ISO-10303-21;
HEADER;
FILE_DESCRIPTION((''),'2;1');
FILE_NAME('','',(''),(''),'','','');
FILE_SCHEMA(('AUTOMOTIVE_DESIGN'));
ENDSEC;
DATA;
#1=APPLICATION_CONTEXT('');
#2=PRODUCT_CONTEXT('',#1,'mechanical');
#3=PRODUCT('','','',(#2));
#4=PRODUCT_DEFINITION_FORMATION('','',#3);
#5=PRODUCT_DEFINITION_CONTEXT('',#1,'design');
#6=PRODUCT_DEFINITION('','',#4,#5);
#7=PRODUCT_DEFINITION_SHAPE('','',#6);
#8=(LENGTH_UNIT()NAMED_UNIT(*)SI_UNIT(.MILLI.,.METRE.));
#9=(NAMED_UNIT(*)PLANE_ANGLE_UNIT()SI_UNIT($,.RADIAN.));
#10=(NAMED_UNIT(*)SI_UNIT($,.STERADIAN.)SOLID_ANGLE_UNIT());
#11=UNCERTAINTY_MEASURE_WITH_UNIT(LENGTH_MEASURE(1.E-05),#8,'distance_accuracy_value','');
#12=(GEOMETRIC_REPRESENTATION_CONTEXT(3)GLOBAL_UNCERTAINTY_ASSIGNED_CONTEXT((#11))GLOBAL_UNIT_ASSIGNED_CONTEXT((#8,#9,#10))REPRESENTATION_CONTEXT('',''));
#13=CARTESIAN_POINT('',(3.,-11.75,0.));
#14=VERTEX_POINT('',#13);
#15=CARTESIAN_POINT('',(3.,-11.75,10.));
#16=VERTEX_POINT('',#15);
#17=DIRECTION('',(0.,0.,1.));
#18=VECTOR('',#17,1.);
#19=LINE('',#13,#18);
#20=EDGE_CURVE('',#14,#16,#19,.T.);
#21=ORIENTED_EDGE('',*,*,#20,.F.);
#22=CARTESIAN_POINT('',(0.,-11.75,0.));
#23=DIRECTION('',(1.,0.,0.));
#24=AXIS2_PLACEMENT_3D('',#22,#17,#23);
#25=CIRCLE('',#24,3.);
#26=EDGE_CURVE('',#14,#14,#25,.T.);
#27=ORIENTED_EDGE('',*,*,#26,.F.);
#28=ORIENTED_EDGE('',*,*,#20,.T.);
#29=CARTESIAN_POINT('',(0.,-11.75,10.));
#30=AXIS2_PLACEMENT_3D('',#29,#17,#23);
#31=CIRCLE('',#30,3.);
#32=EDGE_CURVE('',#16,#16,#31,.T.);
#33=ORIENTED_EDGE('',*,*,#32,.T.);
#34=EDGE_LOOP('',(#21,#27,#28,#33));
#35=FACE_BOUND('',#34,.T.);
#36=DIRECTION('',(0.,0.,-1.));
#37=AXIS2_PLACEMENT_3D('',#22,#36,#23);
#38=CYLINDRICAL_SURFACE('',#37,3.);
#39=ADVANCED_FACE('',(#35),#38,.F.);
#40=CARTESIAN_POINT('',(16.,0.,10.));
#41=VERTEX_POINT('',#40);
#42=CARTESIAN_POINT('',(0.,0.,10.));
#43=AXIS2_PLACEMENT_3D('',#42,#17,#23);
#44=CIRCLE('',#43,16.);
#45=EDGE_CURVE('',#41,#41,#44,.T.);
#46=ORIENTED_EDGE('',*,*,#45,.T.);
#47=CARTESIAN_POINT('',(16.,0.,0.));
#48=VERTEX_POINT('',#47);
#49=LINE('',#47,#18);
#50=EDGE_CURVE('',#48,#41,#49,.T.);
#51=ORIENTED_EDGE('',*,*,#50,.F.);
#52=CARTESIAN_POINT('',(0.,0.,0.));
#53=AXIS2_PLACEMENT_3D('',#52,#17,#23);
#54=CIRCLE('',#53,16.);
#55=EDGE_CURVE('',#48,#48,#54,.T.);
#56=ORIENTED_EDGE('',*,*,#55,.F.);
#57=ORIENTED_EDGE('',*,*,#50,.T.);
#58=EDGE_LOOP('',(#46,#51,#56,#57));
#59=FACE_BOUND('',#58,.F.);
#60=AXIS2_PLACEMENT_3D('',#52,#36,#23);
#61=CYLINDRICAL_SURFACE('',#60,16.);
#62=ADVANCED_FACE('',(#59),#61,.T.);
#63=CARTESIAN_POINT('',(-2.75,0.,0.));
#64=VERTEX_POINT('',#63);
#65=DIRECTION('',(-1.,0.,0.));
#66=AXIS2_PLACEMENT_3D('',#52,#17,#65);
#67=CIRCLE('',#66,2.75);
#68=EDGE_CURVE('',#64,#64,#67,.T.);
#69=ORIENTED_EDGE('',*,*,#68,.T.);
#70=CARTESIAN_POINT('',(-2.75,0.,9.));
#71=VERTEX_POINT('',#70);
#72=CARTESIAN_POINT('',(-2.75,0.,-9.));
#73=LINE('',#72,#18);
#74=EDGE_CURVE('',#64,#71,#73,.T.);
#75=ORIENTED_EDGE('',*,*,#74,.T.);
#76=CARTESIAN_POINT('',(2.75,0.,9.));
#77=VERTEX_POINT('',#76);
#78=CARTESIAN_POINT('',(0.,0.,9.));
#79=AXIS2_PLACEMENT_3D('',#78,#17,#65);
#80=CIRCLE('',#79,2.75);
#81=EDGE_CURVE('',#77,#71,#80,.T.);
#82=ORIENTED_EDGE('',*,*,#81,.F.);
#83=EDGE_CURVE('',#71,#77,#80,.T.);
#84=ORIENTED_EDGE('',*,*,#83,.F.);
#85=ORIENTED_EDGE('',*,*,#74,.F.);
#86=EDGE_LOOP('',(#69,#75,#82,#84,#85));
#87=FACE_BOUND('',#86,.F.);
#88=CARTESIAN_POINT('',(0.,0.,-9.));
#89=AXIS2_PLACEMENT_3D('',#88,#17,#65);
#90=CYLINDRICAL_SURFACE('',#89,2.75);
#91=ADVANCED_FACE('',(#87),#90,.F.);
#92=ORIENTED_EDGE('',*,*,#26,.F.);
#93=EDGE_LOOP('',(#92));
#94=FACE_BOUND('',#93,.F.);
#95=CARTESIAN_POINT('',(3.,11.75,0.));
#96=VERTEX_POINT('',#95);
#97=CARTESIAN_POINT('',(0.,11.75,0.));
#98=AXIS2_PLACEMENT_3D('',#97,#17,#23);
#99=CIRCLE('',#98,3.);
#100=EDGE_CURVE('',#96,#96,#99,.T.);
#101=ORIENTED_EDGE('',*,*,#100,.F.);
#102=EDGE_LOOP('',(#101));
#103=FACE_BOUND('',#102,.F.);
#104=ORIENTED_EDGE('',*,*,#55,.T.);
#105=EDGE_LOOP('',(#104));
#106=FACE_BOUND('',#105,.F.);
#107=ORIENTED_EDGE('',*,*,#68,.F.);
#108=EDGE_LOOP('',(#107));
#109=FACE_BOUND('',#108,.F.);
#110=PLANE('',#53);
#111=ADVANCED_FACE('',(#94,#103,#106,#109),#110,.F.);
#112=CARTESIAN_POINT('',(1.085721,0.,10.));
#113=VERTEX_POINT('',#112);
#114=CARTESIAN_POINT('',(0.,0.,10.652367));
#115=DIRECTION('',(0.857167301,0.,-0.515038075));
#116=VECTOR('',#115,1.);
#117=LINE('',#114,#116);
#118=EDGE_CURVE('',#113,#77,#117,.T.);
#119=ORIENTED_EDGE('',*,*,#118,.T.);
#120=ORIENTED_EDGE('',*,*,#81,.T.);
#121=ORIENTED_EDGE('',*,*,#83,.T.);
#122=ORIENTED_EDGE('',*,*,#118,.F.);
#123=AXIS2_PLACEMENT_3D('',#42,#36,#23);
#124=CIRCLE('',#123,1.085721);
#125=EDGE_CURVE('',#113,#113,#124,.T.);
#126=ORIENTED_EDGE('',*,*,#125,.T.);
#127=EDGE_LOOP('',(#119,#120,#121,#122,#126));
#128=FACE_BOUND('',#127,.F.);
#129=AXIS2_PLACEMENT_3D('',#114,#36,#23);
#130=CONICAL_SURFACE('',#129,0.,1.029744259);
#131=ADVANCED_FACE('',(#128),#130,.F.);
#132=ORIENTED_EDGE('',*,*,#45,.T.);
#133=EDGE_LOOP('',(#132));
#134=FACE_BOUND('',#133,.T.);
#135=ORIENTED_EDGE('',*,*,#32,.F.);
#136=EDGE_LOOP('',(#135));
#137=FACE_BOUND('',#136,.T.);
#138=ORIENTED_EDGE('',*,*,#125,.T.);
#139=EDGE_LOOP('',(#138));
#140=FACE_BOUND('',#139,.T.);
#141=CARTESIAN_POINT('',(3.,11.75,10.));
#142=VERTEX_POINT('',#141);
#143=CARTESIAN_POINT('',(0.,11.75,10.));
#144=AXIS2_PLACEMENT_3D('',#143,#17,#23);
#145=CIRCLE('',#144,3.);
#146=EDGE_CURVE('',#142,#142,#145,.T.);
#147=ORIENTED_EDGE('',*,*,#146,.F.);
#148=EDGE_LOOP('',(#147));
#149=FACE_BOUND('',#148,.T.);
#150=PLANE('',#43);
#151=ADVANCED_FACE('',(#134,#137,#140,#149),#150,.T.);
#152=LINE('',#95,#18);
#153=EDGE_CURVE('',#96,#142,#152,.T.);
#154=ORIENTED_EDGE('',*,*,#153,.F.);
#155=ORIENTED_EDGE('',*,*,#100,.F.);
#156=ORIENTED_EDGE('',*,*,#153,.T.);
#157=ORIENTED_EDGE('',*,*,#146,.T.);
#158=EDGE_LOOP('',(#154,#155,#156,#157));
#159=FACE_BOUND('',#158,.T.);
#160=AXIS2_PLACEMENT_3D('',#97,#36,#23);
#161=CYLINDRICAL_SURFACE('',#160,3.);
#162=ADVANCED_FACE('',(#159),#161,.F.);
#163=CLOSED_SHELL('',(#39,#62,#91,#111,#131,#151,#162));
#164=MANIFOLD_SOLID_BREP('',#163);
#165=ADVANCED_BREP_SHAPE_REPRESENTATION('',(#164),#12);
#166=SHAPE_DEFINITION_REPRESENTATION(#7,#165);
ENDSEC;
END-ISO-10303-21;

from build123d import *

# Parameters (mm, degrees)
F0_R     = 16
F0_R_2   = 3
F1_DEPTH = 10
F2_D     = 5.5
F2_DEPTH = 9
F2_TIP   = 1.6523667023


with BuildPart() as f1:
    # F0 (on Top) → F1 (new body)
    with BuildSketch(Plane.XY):
        Circle(F0_R)
        with Locations((0, -11.75)):
            Circle(F0_R_2, mode=Mode.SUBTRACT)
        with Locations((0, 11.75)):
            Circle(F0_R_2, mode=Mode.SUBTRACT)
    extrude(amount=F1_DEPTH)

    # F2
    with Locations(Plane(origin=(0, 0, 0), x_dir=(1, 0, 0), z_dir=(0, 0, -1))):
        with Locations((0, 0)):
            Hole(F2_D / 2, depth=F2_DEPTH)
            with Locations((0, 0, -(F2_DEPTH + F2_TIP / 2))):  # 118° drill point
                Cone(0, F2_D / 2, F2_TIP, mode=Mode.SUBTRACT)


solid = f1.part
